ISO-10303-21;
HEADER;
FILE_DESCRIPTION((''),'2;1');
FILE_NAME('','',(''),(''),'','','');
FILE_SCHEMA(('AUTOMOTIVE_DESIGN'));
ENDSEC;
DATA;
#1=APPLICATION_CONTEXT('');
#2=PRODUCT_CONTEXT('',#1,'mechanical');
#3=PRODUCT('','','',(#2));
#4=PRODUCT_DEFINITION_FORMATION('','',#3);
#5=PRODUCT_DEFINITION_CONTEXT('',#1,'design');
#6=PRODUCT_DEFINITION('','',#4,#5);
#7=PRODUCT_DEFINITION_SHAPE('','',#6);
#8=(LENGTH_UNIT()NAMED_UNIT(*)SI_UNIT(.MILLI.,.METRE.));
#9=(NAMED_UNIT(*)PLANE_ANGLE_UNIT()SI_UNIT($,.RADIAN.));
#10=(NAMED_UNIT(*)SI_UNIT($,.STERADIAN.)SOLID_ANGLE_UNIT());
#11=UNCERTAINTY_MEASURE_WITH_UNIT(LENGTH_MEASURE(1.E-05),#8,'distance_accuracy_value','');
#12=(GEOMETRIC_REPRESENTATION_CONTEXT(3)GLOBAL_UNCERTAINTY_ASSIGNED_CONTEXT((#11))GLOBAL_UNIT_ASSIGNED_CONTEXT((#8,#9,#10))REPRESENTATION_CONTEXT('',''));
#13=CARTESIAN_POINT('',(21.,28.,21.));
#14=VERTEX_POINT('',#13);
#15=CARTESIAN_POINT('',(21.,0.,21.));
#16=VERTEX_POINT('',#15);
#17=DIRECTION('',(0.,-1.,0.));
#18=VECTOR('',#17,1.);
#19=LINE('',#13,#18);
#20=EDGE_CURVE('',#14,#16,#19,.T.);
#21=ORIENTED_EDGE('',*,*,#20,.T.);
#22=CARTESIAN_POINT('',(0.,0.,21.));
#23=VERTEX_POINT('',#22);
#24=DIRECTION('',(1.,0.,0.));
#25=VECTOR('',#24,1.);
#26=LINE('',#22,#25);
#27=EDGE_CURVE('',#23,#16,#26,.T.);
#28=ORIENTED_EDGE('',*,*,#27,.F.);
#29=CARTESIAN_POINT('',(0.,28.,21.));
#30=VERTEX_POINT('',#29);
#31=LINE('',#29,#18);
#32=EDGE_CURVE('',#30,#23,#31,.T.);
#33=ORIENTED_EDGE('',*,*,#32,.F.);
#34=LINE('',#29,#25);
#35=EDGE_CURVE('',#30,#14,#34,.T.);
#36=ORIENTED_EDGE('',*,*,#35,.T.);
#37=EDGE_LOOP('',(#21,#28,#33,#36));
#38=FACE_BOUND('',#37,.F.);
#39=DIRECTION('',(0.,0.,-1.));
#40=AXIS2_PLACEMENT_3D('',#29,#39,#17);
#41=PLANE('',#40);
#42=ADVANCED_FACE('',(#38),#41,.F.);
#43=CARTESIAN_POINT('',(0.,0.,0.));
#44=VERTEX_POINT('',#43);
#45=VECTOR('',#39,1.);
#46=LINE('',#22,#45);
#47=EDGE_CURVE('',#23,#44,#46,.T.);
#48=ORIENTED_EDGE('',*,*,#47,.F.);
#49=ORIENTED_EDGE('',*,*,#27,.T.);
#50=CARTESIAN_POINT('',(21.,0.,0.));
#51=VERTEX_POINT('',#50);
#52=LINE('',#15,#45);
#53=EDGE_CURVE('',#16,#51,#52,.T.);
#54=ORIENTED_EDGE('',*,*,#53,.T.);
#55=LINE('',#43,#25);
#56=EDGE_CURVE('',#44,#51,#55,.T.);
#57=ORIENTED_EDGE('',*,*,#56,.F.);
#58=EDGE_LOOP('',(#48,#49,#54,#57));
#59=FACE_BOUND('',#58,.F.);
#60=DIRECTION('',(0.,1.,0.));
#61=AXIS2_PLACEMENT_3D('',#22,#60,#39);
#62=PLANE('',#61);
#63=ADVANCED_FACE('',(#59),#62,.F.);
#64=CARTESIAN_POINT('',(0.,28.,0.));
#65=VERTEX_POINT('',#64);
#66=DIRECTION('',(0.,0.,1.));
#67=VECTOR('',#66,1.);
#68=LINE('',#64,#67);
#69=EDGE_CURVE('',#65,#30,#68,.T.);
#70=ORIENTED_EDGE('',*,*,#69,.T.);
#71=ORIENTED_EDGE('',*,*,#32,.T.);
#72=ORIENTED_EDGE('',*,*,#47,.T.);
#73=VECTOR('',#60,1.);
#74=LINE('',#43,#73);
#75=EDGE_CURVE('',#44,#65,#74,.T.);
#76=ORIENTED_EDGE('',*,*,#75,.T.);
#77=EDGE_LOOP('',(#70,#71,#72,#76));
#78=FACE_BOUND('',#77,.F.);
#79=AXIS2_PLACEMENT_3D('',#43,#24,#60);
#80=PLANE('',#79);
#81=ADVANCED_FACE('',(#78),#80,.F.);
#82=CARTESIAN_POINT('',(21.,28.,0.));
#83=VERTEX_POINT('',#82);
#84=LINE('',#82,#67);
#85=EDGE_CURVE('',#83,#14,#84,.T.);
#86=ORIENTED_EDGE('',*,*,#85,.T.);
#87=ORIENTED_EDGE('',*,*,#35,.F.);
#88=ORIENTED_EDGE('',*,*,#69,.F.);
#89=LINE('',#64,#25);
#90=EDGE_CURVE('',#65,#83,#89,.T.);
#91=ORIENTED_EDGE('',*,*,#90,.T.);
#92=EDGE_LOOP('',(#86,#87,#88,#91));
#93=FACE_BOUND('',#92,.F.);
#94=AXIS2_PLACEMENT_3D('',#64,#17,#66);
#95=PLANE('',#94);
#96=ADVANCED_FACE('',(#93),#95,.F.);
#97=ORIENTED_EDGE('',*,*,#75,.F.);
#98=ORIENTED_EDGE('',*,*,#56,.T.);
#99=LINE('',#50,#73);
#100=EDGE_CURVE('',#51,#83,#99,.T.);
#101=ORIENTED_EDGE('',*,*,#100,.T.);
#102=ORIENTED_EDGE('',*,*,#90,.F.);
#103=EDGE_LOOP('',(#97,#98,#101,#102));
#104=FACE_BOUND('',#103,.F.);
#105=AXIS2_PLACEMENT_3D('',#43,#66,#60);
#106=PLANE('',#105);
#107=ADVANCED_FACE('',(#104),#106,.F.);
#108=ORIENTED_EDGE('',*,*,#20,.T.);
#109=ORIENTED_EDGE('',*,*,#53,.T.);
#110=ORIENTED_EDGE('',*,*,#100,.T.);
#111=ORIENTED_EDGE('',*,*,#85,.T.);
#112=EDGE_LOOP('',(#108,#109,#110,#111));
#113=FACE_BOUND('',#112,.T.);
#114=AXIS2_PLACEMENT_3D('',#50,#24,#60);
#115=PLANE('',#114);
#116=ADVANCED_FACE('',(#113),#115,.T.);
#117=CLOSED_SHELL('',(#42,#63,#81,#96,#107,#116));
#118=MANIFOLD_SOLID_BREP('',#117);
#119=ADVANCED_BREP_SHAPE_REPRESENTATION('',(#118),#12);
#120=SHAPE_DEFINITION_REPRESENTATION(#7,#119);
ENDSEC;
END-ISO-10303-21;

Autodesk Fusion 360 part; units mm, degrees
sketch "Back Panel Support Left " plane through (0, 0, 0) normal (1, 0, 0) x (0, 1, 0)
  line L0 (0, 0) -> (28, 0)
  line L1 (28, 0) -> (28, 21)
  line L2 (28, 21) -> (0, 21)
  line L3 (0, 21) -> (0, 0)
  dimension "d1" = 21
  dimension "d2" = 28
extrude "Extrude1" add sketch "Back Panel Support Left " along normal blind 21
equation "d2 = 94 mm - 66 mm"
